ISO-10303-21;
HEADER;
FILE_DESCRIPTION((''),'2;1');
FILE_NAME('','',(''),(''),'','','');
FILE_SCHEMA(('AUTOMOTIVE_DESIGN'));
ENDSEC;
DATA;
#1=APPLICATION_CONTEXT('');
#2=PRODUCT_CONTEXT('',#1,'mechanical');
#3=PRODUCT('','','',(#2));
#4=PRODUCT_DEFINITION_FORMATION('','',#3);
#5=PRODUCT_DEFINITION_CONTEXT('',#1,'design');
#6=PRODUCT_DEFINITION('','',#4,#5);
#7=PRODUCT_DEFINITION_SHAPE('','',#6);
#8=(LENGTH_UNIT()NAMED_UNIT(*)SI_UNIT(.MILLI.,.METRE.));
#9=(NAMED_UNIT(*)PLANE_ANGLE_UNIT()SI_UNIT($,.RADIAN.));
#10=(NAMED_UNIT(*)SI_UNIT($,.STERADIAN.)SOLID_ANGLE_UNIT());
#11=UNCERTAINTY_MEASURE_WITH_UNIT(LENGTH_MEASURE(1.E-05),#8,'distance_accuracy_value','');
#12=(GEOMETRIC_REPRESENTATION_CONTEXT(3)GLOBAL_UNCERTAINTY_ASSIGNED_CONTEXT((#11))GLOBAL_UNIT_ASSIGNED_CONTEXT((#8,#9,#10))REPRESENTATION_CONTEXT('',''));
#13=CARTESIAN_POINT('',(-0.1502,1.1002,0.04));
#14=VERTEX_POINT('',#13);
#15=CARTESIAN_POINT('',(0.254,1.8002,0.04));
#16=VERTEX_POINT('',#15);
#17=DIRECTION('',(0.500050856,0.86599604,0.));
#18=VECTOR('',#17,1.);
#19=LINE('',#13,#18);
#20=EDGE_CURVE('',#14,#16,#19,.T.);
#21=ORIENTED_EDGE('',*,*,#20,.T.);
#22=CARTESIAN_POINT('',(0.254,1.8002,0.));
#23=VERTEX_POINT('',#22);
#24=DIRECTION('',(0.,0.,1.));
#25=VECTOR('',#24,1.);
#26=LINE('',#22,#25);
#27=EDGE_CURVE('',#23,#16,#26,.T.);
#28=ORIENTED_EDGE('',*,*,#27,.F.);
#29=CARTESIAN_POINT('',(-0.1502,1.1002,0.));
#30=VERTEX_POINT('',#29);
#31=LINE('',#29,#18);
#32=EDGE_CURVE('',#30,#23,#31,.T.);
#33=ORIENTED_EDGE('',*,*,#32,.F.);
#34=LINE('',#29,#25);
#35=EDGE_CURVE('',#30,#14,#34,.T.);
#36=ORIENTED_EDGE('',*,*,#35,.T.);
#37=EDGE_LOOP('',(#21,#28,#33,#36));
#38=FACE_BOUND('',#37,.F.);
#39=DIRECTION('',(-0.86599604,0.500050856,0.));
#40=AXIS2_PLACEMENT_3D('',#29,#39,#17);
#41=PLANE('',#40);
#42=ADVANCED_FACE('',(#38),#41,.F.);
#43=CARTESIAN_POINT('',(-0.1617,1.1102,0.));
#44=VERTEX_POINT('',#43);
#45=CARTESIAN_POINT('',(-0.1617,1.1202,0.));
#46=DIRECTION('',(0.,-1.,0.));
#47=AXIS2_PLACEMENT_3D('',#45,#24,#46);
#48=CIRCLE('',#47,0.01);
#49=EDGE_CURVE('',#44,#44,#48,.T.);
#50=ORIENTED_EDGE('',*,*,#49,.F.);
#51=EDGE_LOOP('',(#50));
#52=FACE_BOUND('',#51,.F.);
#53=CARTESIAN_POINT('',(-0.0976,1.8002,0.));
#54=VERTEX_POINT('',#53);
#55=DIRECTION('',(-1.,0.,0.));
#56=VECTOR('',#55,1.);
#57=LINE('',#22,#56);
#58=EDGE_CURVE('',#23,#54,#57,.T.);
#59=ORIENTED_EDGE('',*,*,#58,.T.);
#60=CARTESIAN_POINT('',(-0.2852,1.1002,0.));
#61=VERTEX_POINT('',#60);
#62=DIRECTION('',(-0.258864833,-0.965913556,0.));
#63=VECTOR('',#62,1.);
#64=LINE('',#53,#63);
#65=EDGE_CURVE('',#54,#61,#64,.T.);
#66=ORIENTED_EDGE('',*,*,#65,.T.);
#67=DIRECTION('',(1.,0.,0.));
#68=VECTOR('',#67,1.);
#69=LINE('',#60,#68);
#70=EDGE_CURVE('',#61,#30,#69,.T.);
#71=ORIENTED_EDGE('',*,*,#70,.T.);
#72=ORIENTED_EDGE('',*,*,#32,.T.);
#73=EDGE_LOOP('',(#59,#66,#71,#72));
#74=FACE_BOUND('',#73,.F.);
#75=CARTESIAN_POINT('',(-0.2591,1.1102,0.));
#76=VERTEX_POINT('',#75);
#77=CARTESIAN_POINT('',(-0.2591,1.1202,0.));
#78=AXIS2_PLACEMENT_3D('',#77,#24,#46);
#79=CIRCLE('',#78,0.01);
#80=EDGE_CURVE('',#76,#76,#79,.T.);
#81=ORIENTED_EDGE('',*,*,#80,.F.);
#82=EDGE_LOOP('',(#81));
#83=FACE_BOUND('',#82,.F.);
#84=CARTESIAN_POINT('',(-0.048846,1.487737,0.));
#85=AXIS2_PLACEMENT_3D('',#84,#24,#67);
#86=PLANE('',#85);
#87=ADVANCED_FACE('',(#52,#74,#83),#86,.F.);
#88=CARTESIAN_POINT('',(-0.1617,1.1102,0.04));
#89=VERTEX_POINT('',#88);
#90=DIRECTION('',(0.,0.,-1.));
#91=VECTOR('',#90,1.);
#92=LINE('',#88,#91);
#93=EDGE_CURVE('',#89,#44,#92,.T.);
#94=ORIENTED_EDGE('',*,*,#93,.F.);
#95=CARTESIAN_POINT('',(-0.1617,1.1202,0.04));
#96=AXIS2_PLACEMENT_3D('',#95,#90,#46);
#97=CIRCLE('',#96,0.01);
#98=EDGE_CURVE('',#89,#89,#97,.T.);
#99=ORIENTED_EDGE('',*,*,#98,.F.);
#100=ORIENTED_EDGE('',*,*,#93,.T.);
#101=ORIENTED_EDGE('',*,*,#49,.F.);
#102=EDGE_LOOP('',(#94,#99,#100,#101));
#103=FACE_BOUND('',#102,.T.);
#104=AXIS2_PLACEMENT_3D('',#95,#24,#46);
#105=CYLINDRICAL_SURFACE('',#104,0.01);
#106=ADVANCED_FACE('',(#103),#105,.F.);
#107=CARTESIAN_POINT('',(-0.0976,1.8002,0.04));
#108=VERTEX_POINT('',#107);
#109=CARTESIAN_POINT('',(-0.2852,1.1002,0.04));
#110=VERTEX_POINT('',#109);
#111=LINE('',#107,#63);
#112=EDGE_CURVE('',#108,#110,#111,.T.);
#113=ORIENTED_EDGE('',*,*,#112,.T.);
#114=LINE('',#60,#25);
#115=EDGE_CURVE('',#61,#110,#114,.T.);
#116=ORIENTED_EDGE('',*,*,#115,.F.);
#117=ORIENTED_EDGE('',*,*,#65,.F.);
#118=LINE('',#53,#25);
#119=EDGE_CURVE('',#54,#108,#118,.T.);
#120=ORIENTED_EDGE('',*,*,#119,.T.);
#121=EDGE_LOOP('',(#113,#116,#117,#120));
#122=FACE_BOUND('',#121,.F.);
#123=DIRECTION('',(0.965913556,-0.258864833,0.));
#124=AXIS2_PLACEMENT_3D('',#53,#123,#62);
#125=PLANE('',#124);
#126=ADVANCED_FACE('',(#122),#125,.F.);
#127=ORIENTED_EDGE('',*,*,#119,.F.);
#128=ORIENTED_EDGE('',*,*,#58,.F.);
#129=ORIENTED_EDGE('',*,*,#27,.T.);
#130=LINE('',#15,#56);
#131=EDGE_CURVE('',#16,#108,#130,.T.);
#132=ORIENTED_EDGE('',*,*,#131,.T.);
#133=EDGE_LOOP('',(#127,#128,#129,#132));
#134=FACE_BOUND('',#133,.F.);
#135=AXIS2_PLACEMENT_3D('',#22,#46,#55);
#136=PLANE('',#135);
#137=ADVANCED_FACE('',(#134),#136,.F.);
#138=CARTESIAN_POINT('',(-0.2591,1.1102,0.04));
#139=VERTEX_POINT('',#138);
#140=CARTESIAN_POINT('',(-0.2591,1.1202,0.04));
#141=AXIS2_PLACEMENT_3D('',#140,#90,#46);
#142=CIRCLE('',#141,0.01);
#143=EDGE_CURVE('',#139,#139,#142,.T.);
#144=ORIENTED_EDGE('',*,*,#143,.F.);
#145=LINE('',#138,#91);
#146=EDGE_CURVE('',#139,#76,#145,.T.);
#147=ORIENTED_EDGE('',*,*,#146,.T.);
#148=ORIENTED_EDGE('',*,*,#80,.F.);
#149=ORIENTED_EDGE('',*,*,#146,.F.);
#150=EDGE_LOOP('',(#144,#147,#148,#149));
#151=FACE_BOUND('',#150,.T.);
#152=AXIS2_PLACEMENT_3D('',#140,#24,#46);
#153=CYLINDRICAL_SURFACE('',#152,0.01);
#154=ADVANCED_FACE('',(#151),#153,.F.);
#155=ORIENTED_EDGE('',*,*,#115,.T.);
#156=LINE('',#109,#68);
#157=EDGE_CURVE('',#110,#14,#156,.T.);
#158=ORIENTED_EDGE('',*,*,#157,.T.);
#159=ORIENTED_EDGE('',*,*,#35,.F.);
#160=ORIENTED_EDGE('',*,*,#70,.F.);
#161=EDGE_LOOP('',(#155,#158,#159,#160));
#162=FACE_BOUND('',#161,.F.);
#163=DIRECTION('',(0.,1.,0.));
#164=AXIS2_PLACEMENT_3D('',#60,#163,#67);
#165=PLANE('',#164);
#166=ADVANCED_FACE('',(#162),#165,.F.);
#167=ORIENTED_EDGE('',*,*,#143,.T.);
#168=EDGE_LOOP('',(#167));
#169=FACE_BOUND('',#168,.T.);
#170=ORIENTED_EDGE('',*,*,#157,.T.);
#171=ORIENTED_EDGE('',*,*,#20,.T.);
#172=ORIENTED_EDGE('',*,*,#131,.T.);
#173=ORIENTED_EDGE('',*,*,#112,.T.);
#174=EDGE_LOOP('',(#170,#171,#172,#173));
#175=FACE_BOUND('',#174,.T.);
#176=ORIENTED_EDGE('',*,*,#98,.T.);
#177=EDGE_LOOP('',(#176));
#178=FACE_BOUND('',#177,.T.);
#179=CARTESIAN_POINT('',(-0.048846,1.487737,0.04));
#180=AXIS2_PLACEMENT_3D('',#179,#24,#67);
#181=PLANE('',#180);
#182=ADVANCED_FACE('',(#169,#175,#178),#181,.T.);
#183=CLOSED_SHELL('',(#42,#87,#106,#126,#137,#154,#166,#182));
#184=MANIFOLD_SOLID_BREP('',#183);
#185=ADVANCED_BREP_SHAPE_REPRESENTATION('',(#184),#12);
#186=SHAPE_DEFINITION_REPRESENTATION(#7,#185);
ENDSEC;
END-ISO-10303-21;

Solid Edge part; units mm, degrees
sketch "Sketch1" plane through (0, 0, 0) normal (0, 0, 1) x (1, 0, 0)
  line L0 (-0.1502, 1.1002) -> (0.254, 1.8002)
  line L1 (0.254, 1.8002) -> (-0.0976, 1.8002)
  line L2 (-0.0976, 1.8002) -> (-0.2852, 1.1002)
  line L3 (-0.2852, 1.1002) -> (-0.1502, 1.1002)
extrude "Protrusion1" add sketch "Sketch1" along normal blind 0.04
hole "Bohrung_7" at (-0.1617, 1.1202, 0.04) direction (0, 0, -1) diameter 0.02 end through all
hole "Hole1" at (-0.2591, 1.1202, 0.04) direction (0, 0, -1) diameter 0.02 end through all
